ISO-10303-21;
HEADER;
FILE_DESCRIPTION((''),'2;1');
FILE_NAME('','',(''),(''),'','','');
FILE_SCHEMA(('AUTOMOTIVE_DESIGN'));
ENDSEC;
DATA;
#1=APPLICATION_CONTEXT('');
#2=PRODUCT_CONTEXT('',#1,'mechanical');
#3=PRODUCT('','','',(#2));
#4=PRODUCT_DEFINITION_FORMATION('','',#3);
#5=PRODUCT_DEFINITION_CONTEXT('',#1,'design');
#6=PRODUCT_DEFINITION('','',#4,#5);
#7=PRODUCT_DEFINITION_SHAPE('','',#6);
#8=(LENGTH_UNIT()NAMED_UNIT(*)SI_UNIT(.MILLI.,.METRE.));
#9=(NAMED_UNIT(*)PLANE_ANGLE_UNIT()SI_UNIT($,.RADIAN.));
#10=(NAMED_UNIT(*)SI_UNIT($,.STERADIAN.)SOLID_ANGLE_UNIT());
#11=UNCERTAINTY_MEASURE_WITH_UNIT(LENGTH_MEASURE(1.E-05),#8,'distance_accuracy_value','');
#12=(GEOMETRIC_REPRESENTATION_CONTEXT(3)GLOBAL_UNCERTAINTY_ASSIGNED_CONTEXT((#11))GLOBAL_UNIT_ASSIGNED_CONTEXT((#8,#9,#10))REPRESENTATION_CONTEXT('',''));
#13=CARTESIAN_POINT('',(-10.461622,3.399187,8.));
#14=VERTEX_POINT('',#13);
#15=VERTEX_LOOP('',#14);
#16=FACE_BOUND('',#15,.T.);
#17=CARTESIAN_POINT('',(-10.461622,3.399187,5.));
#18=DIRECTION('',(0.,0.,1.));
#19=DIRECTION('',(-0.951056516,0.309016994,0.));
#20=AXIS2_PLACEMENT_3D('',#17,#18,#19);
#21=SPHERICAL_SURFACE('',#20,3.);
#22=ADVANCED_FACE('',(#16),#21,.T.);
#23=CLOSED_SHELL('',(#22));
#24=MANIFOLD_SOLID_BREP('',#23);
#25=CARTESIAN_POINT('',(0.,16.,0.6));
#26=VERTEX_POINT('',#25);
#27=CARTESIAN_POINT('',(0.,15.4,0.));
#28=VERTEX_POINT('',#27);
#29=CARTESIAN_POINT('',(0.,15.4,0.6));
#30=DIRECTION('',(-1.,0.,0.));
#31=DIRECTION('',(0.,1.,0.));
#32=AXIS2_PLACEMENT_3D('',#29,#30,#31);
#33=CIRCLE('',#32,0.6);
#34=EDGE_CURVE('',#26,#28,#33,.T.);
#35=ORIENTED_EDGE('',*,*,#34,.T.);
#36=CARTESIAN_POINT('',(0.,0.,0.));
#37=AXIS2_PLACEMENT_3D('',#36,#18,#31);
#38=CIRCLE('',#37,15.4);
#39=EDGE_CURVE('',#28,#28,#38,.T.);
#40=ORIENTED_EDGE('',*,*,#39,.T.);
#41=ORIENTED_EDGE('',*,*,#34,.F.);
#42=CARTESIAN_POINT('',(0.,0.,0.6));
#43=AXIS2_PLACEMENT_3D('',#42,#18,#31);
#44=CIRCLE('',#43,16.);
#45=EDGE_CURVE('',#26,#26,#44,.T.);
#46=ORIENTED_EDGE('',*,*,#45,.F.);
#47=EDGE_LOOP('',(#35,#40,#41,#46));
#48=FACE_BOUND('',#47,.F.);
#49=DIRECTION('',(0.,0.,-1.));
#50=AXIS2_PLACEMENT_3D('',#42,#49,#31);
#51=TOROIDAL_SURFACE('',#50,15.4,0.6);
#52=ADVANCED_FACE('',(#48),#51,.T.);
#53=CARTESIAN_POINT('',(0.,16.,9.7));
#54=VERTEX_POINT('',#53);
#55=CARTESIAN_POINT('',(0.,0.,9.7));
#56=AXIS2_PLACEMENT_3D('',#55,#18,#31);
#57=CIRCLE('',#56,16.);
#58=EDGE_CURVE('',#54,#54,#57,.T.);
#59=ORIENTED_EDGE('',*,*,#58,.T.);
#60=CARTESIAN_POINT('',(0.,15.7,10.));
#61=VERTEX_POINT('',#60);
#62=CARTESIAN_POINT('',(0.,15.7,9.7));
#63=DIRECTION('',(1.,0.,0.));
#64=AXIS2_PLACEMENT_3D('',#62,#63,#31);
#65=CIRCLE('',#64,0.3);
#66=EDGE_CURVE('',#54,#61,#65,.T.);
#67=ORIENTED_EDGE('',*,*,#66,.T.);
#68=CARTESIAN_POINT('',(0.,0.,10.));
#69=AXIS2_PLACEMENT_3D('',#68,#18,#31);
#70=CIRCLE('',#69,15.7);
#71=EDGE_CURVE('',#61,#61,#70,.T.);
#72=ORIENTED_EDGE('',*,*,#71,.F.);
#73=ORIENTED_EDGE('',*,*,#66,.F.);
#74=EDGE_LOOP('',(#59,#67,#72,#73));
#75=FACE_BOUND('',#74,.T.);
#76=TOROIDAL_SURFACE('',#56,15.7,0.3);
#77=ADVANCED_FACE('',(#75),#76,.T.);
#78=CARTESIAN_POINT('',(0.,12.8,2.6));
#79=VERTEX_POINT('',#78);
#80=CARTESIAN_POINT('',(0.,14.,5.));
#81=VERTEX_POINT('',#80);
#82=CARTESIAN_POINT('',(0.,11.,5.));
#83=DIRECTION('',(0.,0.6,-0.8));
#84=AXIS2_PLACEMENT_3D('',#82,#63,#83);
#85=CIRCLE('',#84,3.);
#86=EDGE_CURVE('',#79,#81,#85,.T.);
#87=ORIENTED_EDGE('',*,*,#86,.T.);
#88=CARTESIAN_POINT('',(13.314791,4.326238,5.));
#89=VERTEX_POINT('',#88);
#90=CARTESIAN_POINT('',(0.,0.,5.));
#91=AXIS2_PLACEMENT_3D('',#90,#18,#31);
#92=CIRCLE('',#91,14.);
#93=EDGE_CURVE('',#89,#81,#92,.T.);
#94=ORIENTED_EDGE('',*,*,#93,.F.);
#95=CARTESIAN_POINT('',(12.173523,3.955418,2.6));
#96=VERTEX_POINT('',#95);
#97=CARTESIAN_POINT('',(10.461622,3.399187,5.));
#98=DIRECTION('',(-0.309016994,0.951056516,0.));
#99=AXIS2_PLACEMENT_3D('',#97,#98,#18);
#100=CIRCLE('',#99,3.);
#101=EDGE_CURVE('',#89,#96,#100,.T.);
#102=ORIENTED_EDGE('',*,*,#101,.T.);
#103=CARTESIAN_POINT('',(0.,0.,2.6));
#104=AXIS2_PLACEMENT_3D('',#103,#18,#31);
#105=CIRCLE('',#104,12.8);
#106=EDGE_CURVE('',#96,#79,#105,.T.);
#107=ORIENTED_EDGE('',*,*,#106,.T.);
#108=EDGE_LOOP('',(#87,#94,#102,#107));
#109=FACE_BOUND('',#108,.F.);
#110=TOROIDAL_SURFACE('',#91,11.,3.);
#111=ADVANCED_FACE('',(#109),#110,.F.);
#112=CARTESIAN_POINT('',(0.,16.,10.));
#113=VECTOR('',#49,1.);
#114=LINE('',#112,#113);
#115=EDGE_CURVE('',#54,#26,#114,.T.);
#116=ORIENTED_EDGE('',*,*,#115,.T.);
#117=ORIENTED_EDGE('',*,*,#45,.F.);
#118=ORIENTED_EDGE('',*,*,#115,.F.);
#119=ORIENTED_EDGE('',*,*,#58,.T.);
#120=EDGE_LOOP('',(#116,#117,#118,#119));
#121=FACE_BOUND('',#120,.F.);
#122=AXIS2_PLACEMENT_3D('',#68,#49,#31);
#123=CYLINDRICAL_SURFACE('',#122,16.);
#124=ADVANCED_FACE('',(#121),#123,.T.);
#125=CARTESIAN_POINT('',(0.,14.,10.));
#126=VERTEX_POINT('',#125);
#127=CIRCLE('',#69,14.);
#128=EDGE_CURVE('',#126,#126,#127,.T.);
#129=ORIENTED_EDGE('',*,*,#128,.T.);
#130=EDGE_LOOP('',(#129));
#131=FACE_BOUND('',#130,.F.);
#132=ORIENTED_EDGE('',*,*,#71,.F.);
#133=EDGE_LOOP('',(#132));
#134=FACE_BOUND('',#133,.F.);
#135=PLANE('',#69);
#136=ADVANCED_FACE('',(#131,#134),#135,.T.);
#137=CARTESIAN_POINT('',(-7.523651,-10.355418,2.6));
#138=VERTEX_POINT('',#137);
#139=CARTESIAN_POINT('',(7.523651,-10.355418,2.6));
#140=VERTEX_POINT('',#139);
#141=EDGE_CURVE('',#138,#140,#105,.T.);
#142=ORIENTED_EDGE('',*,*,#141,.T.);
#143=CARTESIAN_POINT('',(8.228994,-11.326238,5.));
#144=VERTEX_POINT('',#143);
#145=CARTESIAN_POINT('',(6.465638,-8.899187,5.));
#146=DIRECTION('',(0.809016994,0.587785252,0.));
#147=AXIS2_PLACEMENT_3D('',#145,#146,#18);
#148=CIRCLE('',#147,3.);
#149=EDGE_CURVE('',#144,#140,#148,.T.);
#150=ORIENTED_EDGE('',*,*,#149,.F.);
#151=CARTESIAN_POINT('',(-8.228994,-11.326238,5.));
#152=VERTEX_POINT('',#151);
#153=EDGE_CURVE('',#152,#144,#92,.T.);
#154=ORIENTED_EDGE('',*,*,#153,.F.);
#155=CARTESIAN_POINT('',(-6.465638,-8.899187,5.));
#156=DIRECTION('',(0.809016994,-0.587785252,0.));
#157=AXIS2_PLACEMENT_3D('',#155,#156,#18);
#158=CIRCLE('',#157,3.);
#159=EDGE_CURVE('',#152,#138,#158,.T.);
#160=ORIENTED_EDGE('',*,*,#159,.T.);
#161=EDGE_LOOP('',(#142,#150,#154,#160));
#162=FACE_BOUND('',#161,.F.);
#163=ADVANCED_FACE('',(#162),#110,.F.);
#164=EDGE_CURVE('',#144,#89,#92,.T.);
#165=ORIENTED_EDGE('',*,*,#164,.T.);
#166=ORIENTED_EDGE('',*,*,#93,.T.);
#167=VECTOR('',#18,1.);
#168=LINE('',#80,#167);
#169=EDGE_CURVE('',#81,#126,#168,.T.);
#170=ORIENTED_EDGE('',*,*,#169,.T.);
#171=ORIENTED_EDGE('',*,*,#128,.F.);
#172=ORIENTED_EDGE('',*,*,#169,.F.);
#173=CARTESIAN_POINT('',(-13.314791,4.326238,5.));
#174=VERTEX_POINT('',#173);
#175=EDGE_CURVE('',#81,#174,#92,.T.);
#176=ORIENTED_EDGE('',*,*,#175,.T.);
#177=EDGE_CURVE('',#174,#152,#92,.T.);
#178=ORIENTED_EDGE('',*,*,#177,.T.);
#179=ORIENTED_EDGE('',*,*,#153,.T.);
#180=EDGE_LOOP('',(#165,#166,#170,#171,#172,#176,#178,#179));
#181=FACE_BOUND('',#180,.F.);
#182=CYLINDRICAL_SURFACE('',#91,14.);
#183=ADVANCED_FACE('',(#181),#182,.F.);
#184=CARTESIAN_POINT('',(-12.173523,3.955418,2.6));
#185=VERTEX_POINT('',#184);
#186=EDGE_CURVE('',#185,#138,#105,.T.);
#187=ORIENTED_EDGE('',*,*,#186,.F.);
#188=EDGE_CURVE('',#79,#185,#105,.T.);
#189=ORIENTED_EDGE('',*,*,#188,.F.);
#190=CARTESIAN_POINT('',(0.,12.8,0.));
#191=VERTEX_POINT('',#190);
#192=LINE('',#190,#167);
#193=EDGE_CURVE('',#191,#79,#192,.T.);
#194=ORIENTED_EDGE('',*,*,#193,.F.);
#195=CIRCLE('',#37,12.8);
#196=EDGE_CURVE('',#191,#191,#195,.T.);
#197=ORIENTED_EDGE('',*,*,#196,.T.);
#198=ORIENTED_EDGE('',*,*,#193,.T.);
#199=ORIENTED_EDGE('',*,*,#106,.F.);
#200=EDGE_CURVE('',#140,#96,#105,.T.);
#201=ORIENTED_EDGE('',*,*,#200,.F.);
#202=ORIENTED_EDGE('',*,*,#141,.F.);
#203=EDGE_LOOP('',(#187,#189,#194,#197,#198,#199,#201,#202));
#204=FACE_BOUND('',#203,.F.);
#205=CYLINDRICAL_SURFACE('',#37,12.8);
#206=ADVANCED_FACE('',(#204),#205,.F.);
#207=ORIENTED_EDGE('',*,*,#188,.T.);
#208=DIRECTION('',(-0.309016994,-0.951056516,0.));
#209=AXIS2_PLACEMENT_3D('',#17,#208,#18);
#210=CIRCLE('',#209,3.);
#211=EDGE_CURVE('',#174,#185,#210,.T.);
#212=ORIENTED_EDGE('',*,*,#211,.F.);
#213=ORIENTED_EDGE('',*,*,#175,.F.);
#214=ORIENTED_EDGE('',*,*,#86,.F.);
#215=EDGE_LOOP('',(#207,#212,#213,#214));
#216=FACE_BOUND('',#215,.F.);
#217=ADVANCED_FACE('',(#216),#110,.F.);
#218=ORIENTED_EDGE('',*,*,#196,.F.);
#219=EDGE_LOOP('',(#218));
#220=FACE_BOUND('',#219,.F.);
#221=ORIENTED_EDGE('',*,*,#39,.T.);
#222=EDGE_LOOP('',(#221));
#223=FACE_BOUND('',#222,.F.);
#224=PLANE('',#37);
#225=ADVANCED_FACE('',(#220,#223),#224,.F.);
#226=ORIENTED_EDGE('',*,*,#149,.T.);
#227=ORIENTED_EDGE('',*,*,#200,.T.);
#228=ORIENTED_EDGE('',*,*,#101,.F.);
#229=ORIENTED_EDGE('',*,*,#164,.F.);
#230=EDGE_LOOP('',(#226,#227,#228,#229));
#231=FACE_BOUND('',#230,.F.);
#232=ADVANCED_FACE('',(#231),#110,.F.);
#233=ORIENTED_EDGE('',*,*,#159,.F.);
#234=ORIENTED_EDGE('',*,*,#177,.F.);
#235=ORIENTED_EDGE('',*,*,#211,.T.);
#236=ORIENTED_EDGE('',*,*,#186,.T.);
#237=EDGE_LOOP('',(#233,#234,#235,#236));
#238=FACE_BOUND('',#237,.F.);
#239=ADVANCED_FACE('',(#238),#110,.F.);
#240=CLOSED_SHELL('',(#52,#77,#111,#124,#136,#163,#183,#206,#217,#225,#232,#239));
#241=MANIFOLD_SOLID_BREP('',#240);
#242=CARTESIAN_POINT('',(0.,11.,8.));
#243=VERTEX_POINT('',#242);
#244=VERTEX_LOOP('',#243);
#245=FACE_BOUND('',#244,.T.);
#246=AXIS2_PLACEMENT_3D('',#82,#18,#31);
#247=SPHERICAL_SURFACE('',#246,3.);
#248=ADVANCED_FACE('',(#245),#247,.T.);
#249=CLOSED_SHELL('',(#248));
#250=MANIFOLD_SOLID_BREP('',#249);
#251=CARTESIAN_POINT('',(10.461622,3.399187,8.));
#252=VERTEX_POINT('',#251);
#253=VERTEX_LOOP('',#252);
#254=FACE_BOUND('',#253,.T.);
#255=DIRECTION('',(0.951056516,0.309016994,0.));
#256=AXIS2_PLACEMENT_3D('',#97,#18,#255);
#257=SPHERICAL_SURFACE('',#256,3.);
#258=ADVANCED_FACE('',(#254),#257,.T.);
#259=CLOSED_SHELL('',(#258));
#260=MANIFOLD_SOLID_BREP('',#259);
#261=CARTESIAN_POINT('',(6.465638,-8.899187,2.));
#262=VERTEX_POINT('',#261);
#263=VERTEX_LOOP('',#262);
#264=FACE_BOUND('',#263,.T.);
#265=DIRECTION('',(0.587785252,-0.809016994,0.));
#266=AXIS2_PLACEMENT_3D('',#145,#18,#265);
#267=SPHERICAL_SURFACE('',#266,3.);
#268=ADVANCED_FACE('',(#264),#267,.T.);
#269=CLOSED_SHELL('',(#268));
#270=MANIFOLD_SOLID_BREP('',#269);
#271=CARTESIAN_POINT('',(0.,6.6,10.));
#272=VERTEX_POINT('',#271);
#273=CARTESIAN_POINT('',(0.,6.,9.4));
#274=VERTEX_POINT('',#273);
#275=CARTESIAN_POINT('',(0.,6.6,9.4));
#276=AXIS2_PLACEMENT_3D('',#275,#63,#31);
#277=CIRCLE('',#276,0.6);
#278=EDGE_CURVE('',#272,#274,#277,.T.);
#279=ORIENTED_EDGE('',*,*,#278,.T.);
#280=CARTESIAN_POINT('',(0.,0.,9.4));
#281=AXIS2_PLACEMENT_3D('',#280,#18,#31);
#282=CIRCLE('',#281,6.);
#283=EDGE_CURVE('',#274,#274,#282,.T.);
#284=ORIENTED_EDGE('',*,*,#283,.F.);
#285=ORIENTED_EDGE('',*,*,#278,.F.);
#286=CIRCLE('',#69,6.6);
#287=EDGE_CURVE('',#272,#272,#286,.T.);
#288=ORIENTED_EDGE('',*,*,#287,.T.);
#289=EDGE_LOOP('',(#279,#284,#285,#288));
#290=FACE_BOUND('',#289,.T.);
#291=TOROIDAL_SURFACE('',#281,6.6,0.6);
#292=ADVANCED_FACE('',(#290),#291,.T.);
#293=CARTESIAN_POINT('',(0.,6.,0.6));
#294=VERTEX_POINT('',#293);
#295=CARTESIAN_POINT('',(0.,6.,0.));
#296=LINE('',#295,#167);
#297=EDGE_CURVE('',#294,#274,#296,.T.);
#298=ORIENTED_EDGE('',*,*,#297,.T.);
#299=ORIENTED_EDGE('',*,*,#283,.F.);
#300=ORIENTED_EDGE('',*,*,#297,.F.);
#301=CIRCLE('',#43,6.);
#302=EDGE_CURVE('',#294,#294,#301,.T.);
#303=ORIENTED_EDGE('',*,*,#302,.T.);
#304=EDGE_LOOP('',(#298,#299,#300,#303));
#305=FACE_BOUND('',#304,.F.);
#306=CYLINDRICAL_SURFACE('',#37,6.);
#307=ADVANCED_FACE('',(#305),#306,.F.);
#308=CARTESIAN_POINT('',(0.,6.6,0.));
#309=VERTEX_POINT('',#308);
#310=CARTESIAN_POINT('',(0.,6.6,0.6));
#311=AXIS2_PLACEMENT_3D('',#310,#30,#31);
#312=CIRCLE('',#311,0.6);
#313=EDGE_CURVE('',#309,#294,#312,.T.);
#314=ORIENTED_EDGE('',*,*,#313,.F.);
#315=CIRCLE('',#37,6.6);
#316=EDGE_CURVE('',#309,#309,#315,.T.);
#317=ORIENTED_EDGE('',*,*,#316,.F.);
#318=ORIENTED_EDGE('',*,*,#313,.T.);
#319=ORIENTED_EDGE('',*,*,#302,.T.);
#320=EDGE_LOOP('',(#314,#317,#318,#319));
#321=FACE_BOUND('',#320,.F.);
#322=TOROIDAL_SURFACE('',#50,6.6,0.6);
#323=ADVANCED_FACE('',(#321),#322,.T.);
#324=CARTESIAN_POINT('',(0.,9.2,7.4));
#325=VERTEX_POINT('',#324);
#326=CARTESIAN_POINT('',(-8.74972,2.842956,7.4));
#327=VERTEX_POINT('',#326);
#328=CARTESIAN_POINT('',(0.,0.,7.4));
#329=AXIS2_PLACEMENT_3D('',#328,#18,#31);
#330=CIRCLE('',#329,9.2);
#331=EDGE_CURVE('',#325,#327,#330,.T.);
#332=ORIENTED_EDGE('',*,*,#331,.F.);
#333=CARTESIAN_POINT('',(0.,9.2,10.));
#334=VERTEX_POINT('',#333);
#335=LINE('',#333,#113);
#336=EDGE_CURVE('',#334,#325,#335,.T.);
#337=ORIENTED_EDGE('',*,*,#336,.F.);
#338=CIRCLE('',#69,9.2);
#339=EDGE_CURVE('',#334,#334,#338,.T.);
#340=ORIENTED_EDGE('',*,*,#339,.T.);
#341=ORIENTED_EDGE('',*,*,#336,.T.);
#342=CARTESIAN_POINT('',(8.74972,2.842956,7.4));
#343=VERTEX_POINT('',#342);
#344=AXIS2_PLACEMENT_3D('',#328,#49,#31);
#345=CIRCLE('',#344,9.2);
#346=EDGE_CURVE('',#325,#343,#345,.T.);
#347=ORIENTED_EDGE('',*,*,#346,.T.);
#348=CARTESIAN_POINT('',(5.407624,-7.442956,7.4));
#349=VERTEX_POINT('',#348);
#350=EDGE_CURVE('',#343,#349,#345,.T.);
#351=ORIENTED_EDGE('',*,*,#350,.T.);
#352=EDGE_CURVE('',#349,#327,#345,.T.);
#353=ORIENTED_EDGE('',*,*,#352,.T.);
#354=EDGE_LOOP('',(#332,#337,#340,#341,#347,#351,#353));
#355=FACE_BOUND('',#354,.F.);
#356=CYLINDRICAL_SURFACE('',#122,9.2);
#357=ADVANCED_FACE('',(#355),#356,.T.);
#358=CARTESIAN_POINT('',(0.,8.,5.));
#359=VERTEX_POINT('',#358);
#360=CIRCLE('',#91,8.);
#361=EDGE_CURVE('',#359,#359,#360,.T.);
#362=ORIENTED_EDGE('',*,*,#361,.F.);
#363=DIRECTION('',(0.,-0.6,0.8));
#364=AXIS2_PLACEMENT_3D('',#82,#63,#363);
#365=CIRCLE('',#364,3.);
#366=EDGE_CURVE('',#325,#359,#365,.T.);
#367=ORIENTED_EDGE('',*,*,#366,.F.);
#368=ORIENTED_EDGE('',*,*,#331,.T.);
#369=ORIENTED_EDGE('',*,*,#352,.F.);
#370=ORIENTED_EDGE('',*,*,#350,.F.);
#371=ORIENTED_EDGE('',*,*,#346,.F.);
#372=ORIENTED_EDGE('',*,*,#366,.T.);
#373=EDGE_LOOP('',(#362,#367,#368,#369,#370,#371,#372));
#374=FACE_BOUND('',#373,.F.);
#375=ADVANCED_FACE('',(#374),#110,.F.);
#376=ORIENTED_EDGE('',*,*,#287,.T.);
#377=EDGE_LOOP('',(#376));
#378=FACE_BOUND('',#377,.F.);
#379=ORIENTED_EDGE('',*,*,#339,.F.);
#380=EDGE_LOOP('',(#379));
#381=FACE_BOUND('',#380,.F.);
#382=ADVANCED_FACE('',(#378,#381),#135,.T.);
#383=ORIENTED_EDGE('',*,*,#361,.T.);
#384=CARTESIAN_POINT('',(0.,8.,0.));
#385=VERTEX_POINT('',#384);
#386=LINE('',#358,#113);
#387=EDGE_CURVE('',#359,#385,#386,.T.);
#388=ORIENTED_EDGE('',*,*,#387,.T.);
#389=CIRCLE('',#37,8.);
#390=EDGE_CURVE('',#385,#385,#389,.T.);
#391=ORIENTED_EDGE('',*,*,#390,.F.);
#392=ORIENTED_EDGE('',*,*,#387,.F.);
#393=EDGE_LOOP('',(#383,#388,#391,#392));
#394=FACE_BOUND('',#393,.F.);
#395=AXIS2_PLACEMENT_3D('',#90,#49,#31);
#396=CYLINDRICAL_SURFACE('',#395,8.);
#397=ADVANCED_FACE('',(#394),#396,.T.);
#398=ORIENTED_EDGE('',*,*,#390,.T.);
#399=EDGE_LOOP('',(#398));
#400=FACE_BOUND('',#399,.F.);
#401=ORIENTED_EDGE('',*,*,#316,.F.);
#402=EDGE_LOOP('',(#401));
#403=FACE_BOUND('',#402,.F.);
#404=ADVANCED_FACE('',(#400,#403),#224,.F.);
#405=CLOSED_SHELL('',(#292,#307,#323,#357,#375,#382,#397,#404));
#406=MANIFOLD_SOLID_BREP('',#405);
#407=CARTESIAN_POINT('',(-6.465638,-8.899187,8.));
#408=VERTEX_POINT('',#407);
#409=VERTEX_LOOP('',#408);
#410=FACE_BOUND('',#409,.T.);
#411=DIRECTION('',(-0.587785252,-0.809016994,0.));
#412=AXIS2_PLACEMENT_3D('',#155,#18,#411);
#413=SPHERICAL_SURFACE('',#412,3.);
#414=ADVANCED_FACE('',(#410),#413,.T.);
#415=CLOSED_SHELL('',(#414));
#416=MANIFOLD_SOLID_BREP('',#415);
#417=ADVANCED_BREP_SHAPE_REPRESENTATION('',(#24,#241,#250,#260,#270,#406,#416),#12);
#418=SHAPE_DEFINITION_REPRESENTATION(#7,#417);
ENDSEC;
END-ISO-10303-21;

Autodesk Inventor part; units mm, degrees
ref_plane "WorkPlane1" through (0, 0, 0) normal (0, 0, 1) x (1, 0, 0)
ref_plane "Work Plane2" through (0, 0, -10) normal (0, 0, 1) x (1, 0, 0)
ref_plane "WorkPlane2" through (0, 0, 14) normal (0, 0, 1) x (1, 0, 0)
sketch "Sketch1" plane through (0, 0, 0) normal (-1, 0, 0) x (0, -1, 0)
  point P0 (0, 0)
sketch "Sketch2" plane through (0, 0, 0) normal (0, 0, 1) x (1, 0, 0)
  point P0 (0, 0)
sketch "Sketch3" plane through (0, 0, 14) normal (0, 0, 1) x (1, 0, 0)
  point P0 (0, 0)
sketch "Sketch4" plane through (0, 0, 0) normal (1, 0, 0) x (0, 1, 0)
  line L0 (16, 0) -> (6, 0)
  line L1 (16, 10) -> (16, 0)
  line L2 (6, 10) -> (16, 10)
  line L3 (6, 0) -> (6, 10)
  line L4 (0, -3.737) -> (0, 15.9311) construction
  line L5 (0, -3.737) -> (0, 15.9311)
  line L6 (0, -7.6706) -> (0, 19.8647) projected
  line L7 (-4.7, 0) -> (28.2, 0) projected
  dimension "d2" = 6
  dimension "d4" = 16
  dimension "d6" = 10
revolve "Revolution1" add sketch "Sketch4" angle 360 about axis through (0, 0, -3.737) along (0, 0, 1)
sketch "Sketch5" plane through (0, 0, 0) normal (1, 0, 0) x (0, 1, 0)
  line L0 (14, 10) -> (9.2, 10)
  line L1 (14, 5) -> (14, 10)
  arc A0 (12.8, 2.6) -> (14, 5) centre (11, 5) ccw
  line L2 (12.8, 0) -> (12.8, 2.6)
  line L3 (8, 0) -> (12.8, 0)
  line L4 (8, 5) -> (8, 0)
  arc A1 (9.2, 7.4) -> (8, 5) centre (11, 5) ccw
  line L5 (9.2, 10) -> (9.2, 7.4)
  circle A2 centre (11, 5) radius 3 construction
  line L6 (16, 0) -> (-16, 0) construction
  line L7 (16, 10) -> (-16, 10) construction
  line L8 (0, 40.9632) -> (0, -26.9632)
  line L9 (0, -40.5485) -> (0, 54.5485) projected
  dimension "d9" = 5
  dimension "d11" = 6
  dimension "d21" = 22
  dimension "d22" = 18.4
  dimension "d23" = 25.6
revolve "Revolution2" cut sketch "Sketch5" angle 360 about axis through (0, 0, 40.9632) along (0, 0, 1)
sketch "Sketch6" plane through (0, 0, 0) normal (1, 0, 0) x (0, 1, 0)
  line L0 (11, 2) -> (11, 8)
  arc A0 (11, 2) -> (11, 8) centre (11, 5) ccw
  line L1 (11, 13.1754) -> (11, -3.0126) construction
  line L2 (16, 0) -> (-16, 0) construction
  line L3 (11, 13.1754) -> (11, -3.0126)
  arc A1 (9.2, 7.4) -> (8, 5) centre (11, 5) ccw projected
  line L4 (14, 5) -> (-14, 5) projected
  dimension "d14" = 3
revolve "Revolution3" add sketch "Sketch6" angle 360 about axis through (0, 11, 13.1754) along (0, 0, 1)
pattern_circular "PolarArray1" count 5 over 360 about axis through (0, 0, 0) along (0, 0, 1) of "Revolution3"
fillet "Fillet1" radius 0.3 1 edges at (0, -16, 10)
fillet "Fillet2" radius 0.6 3 edges at (0, -16, 0) (0, -6, 10) (0, -6, 0)
equation "\"d19\" = r1"
equation "\"d20\" = r"
equation "\"d2\" = 0.5 * Diam"
equation "\"d4\" = 0.5 * DD"
equation "\"d6\" = B"
equation "\"d9\" = 0.5 * B"
equation "\"d11\" = msp_mdtdk"
equation "\"d21\" = msp_mdtds"
equation "\"d22\" = msp_md"
equation "\"d23\" = msp_vd"
equation "\"d14\" = 0.5 * msp_mdtdk"
equation "\"Diam\" = 12"
equation "\"DD\" = 32"
equation "\"B\" = 10"
equation "\"r\" = 0.6"
equation "\"msp_mdtdk\" = -0.3 * Diam + 0.3 * DD"
equation "\"msp_mdtds\" = 0.5 * DD + 0.5 * Diam"
equation "\"msp_md\" = msp_mdtds - 0.6 * msp_mdtdk"
equation "\"msp_vd\" = msp_mdtds + 0.6 * msp_mdtdk"
equation "\"r1\" = 0.3"
properties part number "DIN 628 SKF - SKF 7201 BEP" material "Steel, Mild"
